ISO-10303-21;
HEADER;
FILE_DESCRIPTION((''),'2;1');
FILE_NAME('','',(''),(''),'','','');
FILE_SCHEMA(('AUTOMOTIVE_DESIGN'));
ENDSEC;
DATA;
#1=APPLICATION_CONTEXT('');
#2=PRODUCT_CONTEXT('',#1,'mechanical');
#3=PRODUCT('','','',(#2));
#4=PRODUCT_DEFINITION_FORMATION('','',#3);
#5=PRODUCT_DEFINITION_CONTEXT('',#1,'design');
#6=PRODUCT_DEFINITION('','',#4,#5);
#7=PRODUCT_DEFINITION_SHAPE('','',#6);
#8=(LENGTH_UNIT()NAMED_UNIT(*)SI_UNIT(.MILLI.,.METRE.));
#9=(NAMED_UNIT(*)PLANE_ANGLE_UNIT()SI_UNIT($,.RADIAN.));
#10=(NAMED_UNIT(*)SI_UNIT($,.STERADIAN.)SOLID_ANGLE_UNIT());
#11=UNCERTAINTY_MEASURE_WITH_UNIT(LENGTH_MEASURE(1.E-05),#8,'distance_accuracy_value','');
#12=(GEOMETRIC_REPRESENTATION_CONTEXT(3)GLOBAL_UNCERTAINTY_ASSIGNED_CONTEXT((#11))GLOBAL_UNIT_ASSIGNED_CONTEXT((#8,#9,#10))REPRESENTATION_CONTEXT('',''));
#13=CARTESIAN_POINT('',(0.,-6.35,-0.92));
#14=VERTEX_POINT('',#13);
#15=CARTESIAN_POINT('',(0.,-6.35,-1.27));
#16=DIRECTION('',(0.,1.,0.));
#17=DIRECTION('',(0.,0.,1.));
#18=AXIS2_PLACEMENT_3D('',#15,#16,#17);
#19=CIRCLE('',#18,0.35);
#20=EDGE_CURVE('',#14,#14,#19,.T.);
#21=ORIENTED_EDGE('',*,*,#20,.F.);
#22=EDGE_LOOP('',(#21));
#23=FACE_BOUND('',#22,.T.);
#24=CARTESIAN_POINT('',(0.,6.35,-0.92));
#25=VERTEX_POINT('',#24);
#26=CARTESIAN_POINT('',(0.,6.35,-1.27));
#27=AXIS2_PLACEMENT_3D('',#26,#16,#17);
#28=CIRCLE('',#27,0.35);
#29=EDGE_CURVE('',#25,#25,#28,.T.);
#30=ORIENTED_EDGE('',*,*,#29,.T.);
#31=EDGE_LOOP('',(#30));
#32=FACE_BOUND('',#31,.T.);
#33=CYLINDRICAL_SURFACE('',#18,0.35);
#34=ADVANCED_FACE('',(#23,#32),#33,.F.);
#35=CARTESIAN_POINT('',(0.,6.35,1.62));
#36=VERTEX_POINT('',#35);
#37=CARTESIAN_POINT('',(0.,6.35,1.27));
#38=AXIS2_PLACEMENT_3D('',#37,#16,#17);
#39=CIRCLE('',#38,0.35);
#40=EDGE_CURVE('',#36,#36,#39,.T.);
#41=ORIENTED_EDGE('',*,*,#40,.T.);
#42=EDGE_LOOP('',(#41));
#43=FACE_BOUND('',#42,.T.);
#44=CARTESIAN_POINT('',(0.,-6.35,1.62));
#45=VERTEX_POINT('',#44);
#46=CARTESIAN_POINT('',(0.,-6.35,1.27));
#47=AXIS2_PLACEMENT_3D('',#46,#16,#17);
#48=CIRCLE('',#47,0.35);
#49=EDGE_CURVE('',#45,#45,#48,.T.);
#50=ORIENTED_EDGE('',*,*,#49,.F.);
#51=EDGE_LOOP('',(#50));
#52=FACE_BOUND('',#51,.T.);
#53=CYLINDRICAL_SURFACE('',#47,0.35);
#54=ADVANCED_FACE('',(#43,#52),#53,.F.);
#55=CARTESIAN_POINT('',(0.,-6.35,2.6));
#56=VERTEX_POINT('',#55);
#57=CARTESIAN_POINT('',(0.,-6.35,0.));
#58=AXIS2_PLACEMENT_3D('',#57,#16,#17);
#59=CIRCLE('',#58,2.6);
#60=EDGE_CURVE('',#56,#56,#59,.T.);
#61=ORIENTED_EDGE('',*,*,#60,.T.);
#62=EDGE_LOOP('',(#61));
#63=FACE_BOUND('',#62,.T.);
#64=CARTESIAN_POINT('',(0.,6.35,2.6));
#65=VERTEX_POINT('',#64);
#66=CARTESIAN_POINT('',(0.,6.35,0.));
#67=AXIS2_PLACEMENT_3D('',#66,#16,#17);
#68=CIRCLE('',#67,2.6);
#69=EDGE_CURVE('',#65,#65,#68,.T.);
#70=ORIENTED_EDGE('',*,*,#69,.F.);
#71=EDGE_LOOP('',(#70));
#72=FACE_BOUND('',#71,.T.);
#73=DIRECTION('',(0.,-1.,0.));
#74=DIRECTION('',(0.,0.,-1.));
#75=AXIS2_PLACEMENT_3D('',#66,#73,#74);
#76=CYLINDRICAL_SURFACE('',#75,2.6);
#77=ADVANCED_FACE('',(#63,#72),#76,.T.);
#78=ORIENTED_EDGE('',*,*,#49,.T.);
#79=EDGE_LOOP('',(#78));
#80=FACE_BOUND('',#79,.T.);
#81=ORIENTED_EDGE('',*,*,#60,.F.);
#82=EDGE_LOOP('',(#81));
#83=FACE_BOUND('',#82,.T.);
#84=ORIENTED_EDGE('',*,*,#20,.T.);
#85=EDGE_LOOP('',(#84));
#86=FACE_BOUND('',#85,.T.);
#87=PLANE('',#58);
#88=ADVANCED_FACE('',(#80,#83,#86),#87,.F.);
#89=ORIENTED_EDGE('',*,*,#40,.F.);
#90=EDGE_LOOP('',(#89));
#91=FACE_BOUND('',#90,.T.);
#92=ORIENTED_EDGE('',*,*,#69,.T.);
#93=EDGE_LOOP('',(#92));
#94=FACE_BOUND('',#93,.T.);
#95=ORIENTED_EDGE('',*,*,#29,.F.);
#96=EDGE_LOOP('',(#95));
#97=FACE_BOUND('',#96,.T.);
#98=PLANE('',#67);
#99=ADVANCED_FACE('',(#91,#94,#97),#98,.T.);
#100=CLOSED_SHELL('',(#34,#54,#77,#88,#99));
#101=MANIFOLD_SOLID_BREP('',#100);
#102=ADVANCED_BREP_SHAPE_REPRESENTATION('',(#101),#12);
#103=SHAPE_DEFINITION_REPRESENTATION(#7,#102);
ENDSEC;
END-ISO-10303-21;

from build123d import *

# Parameters (mm, degrees)
SKETCH1_R           = 2.6
BOSS_EXTRUDE1_DEPTH = 6.35
SKETCH2_R           = 0.35
CUT_EXTRUDE1_DEPTH  = 6.35


with BuildPart() as part:
    # Sketch1 → Boss-Extrude1 (new, symmetric)
    with BuildSketch(Plane(origin=(0, 0, 0), x_dir=(1, 0, 0), z_dir=(0, 1, 0))):
        with Locations(Location((0, 0, 0), (0, 0, 270))):
            Circle(SKETCH1_R)
    extrude(amount=BOSS_EXTRUDE1_DEPTH, both=True)

    # Sketch2 → Cut-Extrude1 (cut, symmetric)
    with BuildSketch(Plane(origin=(0, 0, 0), x_dir=(1, 0, 0), z_dir=(0, 1, 0))):
        with Locations(Location((0, -1.27, 0), (0, 0, 270))):
            Circle(SKETCH2_R)
        with Locations(Location((0, 1.27, 0), (0, 0, 270))):
            Circle(SKETCH2_R)
    extrude(amount=CUT_EXTRUDE1_DEPTH, both=True, mode=Mode.SUBTRACT)


solid = part.part
